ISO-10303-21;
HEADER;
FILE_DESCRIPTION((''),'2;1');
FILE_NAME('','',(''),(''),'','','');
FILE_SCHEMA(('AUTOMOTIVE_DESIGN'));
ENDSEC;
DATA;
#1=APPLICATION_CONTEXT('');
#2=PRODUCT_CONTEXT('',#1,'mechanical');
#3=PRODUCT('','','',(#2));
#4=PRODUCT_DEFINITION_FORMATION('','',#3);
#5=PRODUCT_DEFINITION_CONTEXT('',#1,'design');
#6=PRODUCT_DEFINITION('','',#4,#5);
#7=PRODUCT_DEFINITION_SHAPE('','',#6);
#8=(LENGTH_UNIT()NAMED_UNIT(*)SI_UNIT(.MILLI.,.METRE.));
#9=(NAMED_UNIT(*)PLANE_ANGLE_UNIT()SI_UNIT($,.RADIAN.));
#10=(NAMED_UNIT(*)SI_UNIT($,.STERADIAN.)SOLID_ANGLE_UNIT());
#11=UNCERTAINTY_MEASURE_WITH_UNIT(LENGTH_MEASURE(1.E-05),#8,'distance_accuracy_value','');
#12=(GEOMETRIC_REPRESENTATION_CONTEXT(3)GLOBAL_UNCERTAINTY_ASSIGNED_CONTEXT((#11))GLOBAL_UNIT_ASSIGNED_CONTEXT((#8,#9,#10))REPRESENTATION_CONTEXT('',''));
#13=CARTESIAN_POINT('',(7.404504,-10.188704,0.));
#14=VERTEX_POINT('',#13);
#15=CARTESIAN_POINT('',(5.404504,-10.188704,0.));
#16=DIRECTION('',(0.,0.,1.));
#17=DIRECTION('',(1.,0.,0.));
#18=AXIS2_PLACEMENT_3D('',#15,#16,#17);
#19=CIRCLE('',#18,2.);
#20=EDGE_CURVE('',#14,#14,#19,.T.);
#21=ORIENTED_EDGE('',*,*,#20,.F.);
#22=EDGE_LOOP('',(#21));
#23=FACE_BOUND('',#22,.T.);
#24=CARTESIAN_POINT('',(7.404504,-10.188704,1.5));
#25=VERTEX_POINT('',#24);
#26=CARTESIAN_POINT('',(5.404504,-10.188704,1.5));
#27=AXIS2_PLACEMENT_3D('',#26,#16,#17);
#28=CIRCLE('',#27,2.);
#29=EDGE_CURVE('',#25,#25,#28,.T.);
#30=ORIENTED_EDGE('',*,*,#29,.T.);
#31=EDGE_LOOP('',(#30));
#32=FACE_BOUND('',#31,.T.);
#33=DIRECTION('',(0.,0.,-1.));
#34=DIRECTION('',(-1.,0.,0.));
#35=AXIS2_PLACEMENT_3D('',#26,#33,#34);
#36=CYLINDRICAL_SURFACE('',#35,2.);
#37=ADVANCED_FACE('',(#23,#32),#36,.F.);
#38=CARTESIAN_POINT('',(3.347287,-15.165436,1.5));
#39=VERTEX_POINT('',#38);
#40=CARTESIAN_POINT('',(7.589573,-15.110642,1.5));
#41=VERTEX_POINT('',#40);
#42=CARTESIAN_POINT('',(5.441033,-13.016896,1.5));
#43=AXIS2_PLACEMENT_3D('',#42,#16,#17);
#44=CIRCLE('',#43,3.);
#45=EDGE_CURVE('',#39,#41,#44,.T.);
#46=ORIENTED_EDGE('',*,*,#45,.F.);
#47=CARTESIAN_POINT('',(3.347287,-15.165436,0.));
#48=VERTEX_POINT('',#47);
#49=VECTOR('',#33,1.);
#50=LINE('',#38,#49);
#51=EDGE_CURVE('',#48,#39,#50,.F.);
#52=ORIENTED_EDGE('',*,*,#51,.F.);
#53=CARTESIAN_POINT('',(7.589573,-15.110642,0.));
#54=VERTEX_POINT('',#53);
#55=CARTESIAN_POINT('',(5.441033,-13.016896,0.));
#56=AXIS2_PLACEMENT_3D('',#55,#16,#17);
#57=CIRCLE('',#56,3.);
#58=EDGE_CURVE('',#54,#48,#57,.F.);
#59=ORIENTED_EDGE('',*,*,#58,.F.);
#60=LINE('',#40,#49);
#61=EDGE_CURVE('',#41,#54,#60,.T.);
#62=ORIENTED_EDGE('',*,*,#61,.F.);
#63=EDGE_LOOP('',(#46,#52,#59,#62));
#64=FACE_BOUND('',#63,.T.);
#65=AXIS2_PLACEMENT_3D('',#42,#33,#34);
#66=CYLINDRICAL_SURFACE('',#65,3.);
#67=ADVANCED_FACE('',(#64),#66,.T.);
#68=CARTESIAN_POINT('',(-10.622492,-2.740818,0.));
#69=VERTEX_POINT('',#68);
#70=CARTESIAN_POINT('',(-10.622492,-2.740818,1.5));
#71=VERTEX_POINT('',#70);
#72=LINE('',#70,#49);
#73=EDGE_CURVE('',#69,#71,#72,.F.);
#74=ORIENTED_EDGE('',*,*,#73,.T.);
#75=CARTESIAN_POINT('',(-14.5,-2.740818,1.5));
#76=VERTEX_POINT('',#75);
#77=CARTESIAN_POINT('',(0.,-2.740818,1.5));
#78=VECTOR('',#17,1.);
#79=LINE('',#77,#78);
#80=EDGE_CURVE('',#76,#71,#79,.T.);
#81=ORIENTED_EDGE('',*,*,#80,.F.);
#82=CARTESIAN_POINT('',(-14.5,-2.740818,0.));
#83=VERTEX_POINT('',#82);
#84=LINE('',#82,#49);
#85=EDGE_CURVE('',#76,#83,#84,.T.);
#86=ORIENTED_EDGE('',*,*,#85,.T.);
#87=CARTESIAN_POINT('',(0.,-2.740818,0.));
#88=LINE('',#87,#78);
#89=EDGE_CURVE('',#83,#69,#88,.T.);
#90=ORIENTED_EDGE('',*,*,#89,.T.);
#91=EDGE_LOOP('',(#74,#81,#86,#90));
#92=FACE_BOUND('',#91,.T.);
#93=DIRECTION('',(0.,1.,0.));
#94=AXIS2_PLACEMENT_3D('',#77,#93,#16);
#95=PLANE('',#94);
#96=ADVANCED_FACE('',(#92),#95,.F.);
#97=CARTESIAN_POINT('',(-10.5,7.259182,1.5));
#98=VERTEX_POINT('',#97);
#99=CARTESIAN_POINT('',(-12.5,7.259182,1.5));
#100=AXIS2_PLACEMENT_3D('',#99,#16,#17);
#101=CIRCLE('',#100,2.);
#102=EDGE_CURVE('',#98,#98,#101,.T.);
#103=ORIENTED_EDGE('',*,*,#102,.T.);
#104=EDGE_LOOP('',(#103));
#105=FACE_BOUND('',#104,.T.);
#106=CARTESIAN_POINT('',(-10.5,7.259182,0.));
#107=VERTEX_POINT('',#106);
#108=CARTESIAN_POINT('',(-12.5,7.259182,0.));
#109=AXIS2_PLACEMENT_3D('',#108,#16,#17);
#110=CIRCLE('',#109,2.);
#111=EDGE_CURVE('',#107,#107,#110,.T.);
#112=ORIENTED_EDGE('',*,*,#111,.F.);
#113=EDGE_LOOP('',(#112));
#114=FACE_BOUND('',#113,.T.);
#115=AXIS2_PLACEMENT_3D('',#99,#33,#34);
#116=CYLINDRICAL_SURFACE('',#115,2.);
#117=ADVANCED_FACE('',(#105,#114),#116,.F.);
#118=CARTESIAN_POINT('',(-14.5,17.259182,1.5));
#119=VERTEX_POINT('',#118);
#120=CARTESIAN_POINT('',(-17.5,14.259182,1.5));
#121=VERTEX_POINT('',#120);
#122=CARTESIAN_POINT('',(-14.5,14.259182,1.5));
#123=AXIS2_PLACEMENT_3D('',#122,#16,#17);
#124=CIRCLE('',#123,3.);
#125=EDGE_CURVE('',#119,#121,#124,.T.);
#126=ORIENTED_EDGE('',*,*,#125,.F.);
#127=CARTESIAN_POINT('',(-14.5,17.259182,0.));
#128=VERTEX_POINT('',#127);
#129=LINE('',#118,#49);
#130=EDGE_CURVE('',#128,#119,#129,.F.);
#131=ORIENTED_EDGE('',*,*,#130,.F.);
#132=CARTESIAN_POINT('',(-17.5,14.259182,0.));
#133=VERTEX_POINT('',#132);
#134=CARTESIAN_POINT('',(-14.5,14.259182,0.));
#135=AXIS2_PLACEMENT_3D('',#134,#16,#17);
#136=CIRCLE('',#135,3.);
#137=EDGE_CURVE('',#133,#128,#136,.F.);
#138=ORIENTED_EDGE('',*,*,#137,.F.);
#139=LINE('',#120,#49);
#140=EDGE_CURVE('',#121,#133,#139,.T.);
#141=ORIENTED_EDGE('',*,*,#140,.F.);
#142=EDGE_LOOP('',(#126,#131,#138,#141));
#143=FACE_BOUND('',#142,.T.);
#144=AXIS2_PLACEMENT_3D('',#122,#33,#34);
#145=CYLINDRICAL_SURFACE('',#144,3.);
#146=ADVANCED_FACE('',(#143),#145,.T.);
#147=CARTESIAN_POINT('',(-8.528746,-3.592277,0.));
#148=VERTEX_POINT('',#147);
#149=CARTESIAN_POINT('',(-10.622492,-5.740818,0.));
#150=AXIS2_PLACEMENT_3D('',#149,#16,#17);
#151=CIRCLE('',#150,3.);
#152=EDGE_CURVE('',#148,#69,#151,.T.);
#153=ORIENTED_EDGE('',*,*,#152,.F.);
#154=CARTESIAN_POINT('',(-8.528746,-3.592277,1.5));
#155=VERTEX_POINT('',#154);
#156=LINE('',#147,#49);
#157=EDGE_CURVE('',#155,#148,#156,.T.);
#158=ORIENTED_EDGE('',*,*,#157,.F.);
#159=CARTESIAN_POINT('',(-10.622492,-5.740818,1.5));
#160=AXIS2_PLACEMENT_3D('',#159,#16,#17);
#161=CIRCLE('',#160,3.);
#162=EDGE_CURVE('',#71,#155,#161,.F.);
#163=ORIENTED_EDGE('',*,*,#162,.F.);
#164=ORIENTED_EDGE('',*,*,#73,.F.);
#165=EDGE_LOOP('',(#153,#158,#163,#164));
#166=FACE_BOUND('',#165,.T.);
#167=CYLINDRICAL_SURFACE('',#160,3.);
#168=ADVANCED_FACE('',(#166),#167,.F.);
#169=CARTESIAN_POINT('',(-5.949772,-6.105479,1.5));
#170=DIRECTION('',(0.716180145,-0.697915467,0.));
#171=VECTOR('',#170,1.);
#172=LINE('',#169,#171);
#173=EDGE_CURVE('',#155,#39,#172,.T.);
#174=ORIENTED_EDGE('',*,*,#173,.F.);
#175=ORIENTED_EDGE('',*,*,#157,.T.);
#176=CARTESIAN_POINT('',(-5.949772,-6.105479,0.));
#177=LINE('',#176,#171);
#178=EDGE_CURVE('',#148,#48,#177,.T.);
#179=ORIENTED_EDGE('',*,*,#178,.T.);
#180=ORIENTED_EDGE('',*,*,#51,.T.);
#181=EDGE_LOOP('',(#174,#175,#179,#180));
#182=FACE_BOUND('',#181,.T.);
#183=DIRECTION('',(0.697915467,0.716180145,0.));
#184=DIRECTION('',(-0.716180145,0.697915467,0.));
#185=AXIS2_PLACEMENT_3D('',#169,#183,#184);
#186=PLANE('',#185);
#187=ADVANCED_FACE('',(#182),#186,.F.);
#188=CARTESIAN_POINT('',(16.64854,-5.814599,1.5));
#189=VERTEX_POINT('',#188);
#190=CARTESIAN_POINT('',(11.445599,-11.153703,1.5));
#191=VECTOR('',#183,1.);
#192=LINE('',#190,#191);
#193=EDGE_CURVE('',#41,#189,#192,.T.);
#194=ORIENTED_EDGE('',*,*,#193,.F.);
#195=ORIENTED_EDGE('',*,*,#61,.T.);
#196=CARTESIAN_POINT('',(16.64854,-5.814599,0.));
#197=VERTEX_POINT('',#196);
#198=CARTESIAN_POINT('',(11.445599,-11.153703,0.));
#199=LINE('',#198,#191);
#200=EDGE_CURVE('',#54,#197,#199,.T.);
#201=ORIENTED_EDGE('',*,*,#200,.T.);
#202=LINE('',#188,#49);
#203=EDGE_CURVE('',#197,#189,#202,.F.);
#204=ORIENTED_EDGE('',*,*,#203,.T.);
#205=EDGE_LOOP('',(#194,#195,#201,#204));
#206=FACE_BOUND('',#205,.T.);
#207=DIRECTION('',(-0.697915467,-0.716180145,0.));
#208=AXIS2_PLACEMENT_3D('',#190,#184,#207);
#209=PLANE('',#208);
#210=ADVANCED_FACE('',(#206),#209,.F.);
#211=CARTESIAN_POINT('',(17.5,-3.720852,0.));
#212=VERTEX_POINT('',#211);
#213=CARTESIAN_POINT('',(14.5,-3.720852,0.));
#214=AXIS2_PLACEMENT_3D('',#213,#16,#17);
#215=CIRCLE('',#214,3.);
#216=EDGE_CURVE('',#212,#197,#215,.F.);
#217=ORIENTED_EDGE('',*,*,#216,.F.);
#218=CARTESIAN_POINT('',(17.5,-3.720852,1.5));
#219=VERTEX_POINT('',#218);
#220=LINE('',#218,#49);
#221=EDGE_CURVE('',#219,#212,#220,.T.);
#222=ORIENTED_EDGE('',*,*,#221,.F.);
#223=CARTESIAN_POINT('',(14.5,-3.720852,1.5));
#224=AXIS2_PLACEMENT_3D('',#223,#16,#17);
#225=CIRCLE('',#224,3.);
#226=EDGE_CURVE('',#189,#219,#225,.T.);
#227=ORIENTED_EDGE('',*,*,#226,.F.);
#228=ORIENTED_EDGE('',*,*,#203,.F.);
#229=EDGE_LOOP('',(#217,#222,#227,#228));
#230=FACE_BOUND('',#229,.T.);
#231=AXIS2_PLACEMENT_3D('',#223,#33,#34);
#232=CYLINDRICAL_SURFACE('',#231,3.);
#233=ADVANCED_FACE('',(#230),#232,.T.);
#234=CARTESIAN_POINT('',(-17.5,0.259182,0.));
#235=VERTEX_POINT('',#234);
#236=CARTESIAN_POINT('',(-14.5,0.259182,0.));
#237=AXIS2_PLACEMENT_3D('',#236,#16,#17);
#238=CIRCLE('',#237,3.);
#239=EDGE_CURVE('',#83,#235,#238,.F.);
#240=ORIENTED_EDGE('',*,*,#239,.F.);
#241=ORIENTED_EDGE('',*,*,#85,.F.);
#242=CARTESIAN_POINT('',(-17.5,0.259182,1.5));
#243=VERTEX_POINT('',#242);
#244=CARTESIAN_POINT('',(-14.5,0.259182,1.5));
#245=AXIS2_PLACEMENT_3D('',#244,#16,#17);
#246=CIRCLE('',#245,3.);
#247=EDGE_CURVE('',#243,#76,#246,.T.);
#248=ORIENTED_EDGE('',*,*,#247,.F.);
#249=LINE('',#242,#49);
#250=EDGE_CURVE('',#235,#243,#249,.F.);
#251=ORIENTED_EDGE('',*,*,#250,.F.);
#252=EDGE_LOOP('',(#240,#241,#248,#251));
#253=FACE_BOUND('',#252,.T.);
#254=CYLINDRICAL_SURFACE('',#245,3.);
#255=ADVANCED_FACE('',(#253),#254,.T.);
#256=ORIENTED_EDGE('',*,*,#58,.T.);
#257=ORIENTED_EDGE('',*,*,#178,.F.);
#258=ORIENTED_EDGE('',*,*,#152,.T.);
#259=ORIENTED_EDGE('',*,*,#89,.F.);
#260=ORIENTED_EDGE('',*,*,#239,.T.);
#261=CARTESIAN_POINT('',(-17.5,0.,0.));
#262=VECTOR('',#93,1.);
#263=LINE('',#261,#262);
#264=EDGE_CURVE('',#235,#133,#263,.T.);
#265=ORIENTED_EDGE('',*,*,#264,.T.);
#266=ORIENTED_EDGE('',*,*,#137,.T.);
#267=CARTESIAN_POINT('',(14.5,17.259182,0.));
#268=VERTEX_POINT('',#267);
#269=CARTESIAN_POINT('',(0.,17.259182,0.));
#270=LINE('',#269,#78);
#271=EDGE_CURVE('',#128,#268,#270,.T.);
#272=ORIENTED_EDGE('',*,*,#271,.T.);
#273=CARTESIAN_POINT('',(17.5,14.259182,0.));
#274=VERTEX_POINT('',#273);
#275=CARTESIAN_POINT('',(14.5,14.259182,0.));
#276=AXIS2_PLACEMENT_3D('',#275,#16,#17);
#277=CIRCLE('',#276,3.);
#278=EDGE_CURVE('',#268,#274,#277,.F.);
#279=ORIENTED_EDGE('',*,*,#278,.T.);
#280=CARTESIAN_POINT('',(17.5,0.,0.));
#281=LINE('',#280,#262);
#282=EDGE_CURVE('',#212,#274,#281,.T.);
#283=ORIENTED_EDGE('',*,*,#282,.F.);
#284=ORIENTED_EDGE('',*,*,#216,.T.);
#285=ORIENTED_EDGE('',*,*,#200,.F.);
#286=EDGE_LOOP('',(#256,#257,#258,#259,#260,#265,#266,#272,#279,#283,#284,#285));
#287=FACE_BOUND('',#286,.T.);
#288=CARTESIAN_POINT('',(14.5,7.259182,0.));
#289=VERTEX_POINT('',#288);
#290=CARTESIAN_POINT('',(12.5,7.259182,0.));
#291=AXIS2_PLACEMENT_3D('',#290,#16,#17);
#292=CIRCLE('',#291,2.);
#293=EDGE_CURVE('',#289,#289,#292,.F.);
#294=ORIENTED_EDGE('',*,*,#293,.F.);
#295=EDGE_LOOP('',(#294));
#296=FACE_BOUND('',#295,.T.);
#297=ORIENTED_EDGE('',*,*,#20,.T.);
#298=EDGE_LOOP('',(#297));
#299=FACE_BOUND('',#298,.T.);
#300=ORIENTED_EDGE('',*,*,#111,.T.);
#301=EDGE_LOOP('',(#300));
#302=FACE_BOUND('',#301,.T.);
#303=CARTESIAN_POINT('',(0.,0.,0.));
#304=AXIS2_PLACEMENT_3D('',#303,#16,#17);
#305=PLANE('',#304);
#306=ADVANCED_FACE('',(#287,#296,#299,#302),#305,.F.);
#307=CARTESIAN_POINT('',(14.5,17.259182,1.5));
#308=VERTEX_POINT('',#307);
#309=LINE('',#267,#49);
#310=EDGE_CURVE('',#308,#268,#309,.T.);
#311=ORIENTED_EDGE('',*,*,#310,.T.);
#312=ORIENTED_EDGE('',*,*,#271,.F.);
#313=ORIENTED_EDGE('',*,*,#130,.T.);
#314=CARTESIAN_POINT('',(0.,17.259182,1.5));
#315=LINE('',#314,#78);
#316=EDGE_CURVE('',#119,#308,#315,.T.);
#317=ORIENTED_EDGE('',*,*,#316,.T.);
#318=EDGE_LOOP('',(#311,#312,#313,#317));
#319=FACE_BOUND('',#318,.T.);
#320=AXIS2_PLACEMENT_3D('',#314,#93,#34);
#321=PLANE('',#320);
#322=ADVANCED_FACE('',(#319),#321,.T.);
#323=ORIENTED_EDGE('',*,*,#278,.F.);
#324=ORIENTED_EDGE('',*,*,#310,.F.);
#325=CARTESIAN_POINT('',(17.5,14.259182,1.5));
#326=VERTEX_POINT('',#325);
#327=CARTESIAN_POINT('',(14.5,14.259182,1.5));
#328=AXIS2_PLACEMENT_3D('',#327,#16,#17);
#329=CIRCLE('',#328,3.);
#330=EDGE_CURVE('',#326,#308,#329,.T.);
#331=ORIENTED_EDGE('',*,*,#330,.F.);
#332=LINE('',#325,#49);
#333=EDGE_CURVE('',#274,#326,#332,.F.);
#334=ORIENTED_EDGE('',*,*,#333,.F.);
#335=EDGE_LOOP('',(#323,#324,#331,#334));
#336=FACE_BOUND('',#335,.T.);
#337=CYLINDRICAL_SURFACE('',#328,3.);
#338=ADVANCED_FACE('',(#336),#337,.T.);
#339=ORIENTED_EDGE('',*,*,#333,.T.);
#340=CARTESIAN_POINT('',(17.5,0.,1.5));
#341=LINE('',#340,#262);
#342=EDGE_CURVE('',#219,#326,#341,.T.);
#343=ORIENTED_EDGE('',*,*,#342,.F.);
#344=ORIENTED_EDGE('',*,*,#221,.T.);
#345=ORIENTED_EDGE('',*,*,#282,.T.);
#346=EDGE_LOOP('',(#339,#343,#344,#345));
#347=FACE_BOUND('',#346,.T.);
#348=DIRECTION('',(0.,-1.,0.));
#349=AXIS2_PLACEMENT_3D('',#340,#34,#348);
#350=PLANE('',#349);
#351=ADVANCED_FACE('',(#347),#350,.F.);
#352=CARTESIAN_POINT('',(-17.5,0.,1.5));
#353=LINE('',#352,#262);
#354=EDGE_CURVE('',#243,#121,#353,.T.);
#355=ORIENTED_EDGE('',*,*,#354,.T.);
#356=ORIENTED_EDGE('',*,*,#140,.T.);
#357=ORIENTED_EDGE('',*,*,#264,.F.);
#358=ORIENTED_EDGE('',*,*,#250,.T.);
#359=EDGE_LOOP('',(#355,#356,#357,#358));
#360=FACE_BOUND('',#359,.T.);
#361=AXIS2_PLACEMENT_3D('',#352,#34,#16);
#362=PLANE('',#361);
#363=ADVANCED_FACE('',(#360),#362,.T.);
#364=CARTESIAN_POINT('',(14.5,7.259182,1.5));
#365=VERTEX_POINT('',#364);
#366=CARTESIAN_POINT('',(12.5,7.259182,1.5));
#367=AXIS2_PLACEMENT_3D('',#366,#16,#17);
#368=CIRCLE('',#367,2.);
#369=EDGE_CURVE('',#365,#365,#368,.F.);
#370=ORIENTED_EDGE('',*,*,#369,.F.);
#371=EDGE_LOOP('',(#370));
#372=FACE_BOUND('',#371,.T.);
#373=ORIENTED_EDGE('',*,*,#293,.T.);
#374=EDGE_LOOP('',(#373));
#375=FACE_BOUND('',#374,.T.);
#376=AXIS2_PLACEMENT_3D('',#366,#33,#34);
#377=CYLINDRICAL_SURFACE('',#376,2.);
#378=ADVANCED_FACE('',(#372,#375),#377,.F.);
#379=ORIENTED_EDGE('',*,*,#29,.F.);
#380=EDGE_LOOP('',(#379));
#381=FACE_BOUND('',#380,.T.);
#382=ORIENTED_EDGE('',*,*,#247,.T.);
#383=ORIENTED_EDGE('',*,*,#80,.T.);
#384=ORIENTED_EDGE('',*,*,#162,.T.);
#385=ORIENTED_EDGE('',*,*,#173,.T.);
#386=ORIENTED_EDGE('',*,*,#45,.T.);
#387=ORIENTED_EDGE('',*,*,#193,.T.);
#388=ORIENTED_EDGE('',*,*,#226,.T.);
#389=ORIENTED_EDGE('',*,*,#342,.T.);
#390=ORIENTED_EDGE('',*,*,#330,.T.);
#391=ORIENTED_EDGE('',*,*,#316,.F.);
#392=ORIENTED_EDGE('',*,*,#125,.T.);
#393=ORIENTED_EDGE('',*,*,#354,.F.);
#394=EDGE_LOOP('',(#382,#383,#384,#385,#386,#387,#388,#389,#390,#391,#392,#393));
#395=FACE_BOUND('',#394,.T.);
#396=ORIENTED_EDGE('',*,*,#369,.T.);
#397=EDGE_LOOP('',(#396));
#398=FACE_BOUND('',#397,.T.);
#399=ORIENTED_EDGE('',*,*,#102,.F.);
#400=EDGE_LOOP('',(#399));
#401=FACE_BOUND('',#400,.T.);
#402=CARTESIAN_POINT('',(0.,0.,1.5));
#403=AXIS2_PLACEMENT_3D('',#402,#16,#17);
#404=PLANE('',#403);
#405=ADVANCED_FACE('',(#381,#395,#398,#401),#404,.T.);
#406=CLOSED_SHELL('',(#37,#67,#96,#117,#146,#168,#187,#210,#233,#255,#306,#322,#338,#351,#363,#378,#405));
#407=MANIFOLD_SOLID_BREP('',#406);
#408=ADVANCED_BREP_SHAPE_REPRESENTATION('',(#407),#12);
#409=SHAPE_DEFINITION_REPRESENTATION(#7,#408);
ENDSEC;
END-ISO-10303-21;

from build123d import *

# Parameters (mm, degrees)
SKETCH_1_R      = 2
EXTRUDE_1_DEPTH = 1.5
FILLET_1_R      = 3


with BuildPart() as part:
    # ｽｹｯﾁ1 → ﾎﾞｽ - 押し出し1 (new body)
    # profile 1 of 2: a face of its own
    with BuildSketch(Plane.XY):
        Polygon((-9.402488121, -2.740817625), (5.495827016, -17.259182375), (17.5, -4.940856231), (17.5, 17.259182375), (-17.5, 17.259182375), (-17.5, 5.150184139), align=None)
        with Locations((5.404503628, -10.188704312)):
            Circle(SKETCH_1_R, mode=Mode.SUBTRACT)
        with Locations((-12.5, 7.259182375)):
            Circle(SKETCH_1_R, mode=Mode.SUBTRACT)
        with Locations((12.5, 7.259182375)):
            Circle(SKETCH_1_R, mode=Mode.SUBTRACT)
    # profile 2 of 2: a face of its own
    with BuildSketch(Plane.XY):
        Polygon((-17.5, 5.150184139), (-17.5, -2.740817625), (-9.402488121, -2.740817625), align=None)
    extrude(amount=EXTRUDE_1_DEPTH)

    # ﾌｨﾚｯﾄ1
    fillet_1_edges = [part.edges().sort_by_distance(p)[0] for p in [
        (-9.402488121, -2.740817625, 0.75),
        (-17.5, -2.740817625, 0.75),
        (-17.5, 17.259182375, 0.75),
        (17.5, 17.259182375, 0.75),
        (17.5, -4.940856231, 0.75),
        (5.495827016, -17.259182375, 0.75),
    ]]
    fillet(fillet_1_edges, radius=FILLET_1_R)


solid = part.part
